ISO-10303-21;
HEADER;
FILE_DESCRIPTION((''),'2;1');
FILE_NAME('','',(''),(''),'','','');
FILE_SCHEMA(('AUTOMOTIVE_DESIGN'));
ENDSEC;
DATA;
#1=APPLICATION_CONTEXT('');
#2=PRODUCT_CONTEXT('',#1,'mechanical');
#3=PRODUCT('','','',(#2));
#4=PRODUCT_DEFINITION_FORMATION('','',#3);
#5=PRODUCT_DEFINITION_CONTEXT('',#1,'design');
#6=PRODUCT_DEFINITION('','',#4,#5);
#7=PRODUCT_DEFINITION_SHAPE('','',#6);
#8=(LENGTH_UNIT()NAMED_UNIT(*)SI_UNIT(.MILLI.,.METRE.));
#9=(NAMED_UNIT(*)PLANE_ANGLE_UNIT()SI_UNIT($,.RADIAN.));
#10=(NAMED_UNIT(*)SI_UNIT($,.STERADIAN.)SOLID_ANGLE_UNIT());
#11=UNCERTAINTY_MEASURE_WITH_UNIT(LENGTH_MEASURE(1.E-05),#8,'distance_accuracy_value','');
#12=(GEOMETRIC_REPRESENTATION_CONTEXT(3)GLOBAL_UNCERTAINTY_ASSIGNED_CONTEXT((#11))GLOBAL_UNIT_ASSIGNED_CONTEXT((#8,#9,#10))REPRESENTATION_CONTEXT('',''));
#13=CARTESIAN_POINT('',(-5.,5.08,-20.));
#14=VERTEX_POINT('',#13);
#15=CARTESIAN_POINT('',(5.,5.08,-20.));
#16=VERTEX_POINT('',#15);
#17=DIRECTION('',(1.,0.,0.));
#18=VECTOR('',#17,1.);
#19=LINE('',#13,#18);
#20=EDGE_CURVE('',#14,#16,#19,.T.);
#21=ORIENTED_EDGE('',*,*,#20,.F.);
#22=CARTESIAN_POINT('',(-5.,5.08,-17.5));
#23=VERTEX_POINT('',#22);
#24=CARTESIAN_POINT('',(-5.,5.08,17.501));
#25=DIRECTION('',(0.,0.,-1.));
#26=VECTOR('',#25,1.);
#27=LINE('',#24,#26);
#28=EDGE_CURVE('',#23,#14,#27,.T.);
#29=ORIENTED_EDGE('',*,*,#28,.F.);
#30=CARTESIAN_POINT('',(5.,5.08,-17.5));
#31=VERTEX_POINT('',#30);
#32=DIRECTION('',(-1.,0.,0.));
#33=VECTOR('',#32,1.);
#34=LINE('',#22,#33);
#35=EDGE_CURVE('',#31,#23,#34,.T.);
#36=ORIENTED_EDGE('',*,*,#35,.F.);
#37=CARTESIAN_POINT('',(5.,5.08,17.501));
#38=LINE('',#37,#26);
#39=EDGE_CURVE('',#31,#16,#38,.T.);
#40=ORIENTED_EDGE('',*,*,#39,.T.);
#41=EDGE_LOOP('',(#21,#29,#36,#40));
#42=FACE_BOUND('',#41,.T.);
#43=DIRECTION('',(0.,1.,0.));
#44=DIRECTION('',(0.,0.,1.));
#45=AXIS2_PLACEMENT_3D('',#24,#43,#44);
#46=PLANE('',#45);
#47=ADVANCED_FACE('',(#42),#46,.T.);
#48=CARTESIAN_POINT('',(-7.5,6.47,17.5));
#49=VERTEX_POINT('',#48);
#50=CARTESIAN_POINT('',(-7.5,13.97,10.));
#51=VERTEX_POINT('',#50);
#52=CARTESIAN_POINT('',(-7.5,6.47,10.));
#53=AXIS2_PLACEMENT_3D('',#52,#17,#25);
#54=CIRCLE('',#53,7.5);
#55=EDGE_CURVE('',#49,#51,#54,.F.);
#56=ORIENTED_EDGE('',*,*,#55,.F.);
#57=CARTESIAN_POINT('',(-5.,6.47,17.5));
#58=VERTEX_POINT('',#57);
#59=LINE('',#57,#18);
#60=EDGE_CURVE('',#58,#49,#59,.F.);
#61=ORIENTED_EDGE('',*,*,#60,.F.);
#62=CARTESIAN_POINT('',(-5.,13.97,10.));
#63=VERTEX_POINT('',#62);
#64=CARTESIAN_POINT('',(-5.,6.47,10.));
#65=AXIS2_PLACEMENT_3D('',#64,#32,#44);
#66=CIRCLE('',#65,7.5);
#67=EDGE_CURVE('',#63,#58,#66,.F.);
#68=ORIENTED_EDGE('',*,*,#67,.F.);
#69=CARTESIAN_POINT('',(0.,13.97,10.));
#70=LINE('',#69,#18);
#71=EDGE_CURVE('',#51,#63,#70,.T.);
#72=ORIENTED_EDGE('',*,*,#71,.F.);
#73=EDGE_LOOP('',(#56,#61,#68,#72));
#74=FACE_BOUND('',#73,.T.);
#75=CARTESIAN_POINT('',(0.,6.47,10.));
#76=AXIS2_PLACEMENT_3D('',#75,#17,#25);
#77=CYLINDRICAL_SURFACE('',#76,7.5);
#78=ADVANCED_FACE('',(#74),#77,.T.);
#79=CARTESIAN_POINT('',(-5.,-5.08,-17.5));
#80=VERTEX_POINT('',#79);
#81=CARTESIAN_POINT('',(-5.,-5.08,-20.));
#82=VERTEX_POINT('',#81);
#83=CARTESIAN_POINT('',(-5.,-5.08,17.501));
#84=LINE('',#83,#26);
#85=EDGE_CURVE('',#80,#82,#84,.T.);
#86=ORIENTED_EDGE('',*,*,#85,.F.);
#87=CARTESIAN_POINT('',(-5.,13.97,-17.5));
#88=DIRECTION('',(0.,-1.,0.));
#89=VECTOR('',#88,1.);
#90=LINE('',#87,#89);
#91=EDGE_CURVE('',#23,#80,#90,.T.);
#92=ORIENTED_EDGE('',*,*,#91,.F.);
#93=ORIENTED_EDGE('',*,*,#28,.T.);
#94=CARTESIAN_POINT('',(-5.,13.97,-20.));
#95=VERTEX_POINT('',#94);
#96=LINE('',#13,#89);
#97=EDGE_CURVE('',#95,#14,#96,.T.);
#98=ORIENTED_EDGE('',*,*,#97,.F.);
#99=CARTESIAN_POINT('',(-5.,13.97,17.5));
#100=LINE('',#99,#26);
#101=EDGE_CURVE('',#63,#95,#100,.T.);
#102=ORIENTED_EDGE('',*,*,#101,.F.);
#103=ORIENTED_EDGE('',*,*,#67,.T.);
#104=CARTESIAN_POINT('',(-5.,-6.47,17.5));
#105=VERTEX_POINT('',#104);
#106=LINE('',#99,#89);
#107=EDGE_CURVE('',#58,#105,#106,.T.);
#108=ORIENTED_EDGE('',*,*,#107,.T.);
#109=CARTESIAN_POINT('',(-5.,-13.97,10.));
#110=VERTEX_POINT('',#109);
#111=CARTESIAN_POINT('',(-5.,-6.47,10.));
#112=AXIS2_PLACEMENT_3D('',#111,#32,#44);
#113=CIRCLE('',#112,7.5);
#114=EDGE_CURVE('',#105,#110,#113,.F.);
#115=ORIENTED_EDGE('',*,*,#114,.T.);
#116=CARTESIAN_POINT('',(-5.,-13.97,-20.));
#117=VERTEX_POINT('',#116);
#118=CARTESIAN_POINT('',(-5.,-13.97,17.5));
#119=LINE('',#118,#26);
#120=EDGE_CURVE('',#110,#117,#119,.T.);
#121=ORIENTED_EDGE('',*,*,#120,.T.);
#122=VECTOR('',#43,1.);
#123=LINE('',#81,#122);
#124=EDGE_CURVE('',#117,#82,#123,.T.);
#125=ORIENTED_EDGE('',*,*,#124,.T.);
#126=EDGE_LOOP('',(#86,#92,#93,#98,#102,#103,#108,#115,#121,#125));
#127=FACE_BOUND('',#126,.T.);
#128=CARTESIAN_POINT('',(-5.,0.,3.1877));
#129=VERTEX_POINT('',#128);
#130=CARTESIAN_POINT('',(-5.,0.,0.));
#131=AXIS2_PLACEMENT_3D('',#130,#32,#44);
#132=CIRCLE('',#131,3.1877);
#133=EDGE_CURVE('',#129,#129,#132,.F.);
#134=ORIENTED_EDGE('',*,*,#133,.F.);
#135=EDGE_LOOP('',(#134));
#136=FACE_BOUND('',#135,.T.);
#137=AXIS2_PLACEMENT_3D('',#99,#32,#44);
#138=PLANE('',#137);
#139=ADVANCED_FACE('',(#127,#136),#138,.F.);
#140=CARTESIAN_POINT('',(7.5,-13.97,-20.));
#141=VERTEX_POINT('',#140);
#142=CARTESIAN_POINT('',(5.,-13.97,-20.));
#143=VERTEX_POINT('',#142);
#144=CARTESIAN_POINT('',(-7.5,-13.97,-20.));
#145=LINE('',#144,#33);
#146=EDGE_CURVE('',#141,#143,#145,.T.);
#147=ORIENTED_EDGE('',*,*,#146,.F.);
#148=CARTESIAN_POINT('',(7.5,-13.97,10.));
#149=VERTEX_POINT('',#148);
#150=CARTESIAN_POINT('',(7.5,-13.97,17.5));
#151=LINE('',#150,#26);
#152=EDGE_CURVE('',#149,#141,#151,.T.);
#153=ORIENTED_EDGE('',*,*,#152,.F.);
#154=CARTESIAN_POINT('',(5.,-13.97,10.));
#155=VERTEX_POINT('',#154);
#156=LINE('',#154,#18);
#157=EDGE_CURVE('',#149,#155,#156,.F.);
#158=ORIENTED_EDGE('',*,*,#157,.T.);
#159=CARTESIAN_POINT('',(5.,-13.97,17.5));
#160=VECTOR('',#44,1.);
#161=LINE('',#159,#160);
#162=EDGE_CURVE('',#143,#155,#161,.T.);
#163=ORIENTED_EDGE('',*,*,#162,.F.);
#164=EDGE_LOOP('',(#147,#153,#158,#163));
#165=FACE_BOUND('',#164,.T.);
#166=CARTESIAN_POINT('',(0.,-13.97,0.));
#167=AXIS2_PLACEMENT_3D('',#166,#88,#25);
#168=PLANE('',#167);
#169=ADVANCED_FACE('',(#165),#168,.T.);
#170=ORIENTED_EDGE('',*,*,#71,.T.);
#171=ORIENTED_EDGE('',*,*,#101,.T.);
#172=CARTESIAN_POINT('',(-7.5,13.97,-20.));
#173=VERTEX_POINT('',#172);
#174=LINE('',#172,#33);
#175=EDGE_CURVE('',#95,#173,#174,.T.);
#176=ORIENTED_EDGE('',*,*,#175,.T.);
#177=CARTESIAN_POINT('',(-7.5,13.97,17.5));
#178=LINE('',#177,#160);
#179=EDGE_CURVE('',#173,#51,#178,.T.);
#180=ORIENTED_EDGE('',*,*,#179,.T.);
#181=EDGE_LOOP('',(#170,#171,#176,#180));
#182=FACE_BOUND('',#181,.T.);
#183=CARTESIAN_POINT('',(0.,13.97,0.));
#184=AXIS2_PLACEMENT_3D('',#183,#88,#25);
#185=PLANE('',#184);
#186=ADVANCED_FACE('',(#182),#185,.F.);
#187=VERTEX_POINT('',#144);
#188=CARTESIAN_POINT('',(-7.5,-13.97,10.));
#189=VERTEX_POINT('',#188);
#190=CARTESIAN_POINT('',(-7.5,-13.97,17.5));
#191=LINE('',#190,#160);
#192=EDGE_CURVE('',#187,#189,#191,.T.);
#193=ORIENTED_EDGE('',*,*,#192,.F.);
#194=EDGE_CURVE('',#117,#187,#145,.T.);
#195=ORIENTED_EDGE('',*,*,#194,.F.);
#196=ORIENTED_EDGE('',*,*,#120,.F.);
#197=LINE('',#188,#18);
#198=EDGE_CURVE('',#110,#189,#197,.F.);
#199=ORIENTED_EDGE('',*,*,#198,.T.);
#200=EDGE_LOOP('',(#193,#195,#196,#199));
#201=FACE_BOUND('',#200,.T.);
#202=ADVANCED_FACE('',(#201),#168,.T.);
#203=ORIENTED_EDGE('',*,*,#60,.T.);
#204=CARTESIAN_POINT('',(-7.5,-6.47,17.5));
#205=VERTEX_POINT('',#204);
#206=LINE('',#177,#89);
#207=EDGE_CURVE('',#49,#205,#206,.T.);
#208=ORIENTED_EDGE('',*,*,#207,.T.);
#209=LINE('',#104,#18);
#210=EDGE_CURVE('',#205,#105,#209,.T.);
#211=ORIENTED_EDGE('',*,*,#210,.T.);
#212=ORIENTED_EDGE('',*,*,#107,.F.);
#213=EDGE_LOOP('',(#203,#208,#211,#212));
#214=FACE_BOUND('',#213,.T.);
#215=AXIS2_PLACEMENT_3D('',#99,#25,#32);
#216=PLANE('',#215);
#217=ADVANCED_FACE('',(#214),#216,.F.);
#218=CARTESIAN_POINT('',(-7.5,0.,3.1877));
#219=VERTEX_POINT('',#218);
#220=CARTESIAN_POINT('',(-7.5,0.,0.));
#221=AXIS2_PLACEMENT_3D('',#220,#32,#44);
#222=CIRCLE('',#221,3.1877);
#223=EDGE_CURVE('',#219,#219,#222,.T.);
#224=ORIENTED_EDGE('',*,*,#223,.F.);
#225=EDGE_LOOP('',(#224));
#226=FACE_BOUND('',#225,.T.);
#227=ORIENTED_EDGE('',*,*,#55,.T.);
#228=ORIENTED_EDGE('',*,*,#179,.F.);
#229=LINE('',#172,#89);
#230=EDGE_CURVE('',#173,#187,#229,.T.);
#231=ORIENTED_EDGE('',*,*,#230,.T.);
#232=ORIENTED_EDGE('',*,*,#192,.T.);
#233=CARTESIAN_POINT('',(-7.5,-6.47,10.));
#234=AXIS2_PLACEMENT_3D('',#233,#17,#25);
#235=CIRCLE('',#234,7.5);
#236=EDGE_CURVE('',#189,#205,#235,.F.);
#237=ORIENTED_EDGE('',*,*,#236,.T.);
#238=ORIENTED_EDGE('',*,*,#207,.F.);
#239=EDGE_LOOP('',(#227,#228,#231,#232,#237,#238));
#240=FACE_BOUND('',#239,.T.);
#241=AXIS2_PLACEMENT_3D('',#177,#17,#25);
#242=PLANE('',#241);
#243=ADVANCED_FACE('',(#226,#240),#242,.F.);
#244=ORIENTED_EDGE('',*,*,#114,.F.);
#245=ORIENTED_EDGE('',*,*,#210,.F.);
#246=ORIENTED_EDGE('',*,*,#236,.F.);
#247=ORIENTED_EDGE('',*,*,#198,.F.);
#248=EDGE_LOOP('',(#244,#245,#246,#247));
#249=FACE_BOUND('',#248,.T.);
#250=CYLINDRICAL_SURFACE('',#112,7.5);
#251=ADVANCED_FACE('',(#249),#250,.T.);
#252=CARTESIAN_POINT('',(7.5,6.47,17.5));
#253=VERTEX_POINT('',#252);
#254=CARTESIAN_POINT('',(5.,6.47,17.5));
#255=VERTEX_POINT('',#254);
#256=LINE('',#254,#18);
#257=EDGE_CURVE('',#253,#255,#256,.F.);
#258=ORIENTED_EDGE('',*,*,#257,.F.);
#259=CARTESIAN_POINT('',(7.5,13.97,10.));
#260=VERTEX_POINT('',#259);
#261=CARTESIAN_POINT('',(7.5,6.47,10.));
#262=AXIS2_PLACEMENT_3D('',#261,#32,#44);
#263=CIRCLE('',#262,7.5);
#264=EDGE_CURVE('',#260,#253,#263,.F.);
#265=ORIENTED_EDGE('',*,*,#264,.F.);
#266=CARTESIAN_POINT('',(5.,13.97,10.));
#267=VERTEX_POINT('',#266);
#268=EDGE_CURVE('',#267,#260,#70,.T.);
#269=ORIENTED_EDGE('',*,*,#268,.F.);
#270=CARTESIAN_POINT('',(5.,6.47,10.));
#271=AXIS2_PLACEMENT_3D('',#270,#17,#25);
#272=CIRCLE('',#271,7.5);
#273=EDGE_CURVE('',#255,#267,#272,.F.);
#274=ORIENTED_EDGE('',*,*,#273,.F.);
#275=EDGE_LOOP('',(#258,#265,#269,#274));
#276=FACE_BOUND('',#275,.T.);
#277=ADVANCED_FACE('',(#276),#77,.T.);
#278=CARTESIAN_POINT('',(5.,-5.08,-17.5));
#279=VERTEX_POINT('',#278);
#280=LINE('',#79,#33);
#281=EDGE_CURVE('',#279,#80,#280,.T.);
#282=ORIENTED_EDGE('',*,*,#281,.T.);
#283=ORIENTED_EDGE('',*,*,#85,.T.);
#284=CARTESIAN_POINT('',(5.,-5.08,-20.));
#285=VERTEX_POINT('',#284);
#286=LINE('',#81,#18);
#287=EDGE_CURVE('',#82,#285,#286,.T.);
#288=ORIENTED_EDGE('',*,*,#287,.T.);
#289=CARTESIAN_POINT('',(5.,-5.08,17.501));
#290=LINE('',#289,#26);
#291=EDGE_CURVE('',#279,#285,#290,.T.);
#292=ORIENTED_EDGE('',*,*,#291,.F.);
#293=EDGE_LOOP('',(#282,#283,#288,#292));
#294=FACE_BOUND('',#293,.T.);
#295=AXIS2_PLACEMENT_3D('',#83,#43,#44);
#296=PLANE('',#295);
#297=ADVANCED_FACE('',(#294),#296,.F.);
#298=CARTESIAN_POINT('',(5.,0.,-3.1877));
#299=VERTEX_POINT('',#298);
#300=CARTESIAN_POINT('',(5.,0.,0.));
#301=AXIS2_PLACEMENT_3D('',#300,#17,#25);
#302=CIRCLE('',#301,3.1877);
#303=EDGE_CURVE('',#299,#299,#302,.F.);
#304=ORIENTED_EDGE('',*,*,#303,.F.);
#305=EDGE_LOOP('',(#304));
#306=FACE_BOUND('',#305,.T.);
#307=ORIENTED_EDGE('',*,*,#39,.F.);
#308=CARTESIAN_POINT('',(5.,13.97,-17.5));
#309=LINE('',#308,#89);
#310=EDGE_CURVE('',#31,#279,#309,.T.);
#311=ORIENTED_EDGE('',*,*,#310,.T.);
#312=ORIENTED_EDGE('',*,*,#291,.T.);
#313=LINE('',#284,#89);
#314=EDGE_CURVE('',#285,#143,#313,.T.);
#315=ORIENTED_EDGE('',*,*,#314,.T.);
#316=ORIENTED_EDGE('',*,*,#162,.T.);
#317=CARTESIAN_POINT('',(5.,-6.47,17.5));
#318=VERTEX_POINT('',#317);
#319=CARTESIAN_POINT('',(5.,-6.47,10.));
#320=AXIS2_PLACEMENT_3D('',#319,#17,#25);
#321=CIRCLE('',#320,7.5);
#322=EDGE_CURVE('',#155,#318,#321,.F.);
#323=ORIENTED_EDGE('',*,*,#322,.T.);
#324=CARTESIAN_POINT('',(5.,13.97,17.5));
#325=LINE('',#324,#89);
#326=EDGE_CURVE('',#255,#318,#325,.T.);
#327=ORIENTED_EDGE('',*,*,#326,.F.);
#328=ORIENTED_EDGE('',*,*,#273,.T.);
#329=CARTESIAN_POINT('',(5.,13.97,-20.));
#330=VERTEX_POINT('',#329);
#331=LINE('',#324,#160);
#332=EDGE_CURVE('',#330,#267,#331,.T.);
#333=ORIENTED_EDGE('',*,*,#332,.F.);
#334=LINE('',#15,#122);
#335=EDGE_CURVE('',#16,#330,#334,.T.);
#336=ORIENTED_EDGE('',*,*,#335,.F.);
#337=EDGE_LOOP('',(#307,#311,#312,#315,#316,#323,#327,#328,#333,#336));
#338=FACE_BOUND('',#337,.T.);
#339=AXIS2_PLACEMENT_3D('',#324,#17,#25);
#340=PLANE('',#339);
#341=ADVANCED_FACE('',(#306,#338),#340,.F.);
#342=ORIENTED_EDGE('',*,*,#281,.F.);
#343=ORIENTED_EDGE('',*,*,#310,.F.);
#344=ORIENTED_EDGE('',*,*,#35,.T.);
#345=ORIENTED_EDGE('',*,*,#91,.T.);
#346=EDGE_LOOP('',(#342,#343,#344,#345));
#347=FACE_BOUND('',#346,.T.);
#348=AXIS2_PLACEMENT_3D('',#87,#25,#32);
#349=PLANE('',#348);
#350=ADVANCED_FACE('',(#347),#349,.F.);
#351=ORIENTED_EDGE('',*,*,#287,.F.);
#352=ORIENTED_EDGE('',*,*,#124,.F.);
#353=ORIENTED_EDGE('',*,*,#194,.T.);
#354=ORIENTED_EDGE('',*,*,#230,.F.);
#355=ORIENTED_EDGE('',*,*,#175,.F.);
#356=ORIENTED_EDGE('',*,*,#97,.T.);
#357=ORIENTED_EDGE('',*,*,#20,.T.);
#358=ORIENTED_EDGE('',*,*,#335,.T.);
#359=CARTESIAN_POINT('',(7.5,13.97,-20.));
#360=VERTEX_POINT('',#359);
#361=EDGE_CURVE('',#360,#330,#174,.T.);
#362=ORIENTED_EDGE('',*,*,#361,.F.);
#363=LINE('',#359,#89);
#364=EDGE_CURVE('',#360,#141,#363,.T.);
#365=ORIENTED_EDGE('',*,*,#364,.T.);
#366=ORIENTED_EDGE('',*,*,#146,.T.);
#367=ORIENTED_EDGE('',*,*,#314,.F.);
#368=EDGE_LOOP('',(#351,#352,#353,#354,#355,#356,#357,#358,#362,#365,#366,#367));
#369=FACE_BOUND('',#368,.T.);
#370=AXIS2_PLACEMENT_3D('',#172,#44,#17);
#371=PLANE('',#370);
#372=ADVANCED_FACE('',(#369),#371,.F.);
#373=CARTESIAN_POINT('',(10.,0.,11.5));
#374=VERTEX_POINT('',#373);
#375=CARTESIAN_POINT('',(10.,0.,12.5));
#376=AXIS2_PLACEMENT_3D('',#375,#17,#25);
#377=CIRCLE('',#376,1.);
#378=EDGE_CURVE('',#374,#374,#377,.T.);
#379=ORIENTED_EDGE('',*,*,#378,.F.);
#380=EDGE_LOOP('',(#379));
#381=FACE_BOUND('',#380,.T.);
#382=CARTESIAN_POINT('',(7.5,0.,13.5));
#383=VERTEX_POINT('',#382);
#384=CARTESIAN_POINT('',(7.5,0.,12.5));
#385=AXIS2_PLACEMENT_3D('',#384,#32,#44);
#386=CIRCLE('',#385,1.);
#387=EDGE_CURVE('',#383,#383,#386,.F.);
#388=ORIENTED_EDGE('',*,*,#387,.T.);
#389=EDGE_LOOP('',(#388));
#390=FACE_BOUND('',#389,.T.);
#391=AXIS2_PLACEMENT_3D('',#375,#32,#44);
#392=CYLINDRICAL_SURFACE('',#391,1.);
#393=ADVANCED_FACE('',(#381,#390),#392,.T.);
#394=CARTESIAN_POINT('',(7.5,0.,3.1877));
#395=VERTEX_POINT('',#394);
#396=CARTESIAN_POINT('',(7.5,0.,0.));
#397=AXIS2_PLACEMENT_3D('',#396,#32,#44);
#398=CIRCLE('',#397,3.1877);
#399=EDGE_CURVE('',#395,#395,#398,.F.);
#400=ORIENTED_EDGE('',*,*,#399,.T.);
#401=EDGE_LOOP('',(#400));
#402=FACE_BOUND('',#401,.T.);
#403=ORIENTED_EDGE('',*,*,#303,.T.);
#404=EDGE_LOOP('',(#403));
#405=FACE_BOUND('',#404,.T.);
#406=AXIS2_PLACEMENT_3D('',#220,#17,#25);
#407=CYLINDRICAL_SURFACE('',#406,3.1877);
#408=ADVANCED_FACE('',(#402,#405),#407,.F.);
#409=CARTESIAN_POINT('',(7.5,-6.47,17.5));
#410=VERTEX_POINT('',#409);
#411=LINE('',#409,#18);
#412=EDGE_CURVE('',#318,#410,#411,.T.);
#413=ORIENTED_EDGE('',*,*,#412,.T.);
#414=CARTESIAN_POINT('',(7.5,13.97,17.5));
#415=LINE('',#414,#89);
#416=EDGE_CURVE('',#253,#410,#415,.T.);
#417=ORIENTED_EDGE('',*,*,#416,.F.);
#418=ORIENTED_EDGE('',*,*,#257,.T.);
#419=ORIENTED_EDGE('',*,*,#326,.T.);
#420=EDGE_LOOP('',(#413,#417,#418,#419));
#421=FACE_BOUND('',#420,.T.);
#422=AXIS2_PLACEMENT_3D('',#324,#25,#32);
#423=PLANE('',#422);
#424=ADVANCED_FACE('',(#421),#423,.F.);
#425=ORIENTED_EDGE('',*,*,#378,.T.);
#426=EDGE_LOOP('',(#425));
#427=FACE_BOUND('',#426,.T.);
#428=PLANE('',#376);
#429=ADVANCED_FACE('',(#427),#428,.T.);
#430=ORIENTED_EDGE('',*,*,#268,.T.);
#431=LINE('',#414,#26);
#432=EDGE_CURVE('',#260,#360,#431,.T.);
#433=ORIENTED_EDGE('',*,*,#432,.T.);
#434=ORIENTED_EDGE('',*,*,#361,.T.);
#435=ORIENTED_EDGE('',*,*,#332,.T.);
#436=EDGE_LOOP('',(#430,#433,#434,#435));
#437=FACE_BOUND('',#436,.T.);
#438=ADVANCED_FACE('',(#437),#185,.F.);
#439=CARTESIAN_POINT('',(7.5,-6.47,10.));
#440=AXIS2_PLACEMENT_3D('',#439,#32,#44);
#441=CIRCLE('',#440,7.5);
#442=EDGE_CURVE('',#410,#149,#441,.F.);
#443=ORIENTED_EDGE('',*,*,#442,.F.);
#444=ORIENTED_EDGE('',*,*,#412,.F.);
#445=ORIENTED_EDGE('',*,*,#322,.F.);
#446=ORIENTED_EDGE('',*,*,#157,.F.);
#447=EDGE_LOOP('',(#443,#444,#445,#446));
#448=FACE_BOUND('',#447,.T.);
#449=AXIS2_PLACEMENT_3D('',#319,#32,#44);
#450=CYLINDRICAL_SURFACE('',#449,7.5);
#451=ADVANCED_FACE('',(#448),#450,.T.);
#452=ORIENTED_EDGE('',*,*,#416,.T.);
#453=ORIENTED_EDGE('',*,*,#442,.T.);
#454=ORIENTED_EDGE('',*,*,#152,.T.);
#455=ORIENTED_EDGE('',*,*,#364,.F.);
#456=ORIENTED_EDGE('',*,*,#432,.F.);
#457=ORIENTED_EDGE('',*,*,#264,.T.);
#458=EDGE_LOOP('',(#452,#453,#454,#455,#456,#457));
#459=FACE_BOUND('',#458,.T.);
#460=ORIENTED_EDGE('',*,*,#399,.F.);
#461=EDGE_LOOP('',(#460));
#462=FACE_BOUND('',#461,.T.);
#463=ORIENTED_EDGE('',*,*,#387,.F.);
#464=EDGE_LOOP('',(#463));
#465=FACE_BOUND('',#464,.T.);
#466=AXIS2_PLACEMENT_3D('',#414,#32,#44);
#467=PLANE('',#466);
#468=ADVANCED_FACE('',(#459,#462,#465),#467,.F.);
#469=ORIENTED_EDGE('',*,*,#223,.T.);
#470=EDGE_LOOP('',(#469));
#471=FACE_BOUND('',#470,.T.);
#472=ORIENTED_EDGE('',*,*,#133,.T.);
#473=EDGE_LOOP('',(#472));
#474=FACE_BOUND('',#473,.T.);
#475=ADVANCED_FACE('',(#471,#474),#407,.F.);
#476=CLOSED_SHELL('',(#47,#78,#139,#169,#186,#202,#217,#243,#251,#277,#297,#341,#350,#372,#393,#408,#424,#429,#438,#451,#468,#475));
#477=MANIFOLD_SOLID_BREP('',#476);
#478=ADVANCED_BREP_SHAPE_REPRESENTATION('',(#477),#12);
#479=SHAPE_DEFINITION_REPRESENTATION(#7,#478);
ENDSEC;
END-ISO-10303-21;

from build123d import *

# Parameters (mm, degrees)
BOSS_EXTRUDE1_DEPTH     = 13.97
SKETCH5_R               = 1
BOSS_EXTRUDE4_DEPTH     = 2.5
SKETCH6_W               = 10
SKETCH6_H               = 8.89
CUT_EXTRUDE1_DEPTH      = 2.5
FILLET1_R               = 7.5
SKETCH4_R               = 3.1877
CUT_EXTRUDE2_DEPTH      = 13.5
CUT_EXTRUDE2_DEPTH_BACK = 6


with BuildPart() as part:
    # Sketch1 → Boss-Extrude1 (new body, symmetric)
    with BuildSketch(Plane(origin=(0, 0, 0), x_dir=(1, 0, 0), z_dir=(0, 1, 0))):
        Polygon((-7.5, -17.5), (-7.5, 20), (7.5, 20), (7.5, -17.5), (5, -17.5), (5, 17.5), (-5, 17.5), (-5, -17.5), align=None)
    extrude(amount=BOSS_EXTRUDE1_DEPTH, both=True)

    # Sketch5 → Boss-Extrude4 (add)
    with BuildSketch(Plane(origin=(7.5, 0, 0), x_dir=(0, 0, -1), z_dir=(1, 0, 0))):
        with Locations((-12.5, 0)):
            Circle(SKETCH5_R)
    extrude(amount=BOSS_EXTRUDE4_DEPTH)

    # Sketch6 → Cut-Extrude1 (cut)
    with BuildSketch(Plane(origin=(0, 0, -20), x_dir=(-1, 0, 0), z_dir=(0, 0, -1))):
        with Locations((0, -9.525)):
            Rectangle(SKETCH6_W, SKETCH6_H)
    cut_extrude1 = extrude(amount=-CUT_EXTRUDE1_DEPTH, mode=Mode.SUBTRACT)

    # Fillet1
    fillet1_edges = [part.edges().sort_by_distance(p)[0] for p in [
        (6.25, -13.97, 17.5),
        (-6.25, 13.97, 17.5),
        (6.25, 13.97, 17.5),
        (-6.25, -13.97, 17.5),
    ]]
    fillet(fillet1_edges, radius=FILLET1_R)

    # Sketch4 → Cut-Extrude2 (cut, two sides)
    with BuildSketch(Plane.ZY.offset(-5)) as cut_extrude2_sk:
        Circle(SKETCH4_R)
    extrude(amount=CUT_EXTRUDE2_DEPTH, mode=Mode.SUBTRACT)
    extrude(cut_extrude2_sk.sketch, amount=-CUT_EXTRUDE2_DEPTH_BACK, mode=Mode.SUBTRACT)

    # Mirror2: Cut-Extrude1 across plane
    add(cut_extrude1.mirror(Plane.ZX), mode=Mode.SUBTRACT)


solid = part.part
